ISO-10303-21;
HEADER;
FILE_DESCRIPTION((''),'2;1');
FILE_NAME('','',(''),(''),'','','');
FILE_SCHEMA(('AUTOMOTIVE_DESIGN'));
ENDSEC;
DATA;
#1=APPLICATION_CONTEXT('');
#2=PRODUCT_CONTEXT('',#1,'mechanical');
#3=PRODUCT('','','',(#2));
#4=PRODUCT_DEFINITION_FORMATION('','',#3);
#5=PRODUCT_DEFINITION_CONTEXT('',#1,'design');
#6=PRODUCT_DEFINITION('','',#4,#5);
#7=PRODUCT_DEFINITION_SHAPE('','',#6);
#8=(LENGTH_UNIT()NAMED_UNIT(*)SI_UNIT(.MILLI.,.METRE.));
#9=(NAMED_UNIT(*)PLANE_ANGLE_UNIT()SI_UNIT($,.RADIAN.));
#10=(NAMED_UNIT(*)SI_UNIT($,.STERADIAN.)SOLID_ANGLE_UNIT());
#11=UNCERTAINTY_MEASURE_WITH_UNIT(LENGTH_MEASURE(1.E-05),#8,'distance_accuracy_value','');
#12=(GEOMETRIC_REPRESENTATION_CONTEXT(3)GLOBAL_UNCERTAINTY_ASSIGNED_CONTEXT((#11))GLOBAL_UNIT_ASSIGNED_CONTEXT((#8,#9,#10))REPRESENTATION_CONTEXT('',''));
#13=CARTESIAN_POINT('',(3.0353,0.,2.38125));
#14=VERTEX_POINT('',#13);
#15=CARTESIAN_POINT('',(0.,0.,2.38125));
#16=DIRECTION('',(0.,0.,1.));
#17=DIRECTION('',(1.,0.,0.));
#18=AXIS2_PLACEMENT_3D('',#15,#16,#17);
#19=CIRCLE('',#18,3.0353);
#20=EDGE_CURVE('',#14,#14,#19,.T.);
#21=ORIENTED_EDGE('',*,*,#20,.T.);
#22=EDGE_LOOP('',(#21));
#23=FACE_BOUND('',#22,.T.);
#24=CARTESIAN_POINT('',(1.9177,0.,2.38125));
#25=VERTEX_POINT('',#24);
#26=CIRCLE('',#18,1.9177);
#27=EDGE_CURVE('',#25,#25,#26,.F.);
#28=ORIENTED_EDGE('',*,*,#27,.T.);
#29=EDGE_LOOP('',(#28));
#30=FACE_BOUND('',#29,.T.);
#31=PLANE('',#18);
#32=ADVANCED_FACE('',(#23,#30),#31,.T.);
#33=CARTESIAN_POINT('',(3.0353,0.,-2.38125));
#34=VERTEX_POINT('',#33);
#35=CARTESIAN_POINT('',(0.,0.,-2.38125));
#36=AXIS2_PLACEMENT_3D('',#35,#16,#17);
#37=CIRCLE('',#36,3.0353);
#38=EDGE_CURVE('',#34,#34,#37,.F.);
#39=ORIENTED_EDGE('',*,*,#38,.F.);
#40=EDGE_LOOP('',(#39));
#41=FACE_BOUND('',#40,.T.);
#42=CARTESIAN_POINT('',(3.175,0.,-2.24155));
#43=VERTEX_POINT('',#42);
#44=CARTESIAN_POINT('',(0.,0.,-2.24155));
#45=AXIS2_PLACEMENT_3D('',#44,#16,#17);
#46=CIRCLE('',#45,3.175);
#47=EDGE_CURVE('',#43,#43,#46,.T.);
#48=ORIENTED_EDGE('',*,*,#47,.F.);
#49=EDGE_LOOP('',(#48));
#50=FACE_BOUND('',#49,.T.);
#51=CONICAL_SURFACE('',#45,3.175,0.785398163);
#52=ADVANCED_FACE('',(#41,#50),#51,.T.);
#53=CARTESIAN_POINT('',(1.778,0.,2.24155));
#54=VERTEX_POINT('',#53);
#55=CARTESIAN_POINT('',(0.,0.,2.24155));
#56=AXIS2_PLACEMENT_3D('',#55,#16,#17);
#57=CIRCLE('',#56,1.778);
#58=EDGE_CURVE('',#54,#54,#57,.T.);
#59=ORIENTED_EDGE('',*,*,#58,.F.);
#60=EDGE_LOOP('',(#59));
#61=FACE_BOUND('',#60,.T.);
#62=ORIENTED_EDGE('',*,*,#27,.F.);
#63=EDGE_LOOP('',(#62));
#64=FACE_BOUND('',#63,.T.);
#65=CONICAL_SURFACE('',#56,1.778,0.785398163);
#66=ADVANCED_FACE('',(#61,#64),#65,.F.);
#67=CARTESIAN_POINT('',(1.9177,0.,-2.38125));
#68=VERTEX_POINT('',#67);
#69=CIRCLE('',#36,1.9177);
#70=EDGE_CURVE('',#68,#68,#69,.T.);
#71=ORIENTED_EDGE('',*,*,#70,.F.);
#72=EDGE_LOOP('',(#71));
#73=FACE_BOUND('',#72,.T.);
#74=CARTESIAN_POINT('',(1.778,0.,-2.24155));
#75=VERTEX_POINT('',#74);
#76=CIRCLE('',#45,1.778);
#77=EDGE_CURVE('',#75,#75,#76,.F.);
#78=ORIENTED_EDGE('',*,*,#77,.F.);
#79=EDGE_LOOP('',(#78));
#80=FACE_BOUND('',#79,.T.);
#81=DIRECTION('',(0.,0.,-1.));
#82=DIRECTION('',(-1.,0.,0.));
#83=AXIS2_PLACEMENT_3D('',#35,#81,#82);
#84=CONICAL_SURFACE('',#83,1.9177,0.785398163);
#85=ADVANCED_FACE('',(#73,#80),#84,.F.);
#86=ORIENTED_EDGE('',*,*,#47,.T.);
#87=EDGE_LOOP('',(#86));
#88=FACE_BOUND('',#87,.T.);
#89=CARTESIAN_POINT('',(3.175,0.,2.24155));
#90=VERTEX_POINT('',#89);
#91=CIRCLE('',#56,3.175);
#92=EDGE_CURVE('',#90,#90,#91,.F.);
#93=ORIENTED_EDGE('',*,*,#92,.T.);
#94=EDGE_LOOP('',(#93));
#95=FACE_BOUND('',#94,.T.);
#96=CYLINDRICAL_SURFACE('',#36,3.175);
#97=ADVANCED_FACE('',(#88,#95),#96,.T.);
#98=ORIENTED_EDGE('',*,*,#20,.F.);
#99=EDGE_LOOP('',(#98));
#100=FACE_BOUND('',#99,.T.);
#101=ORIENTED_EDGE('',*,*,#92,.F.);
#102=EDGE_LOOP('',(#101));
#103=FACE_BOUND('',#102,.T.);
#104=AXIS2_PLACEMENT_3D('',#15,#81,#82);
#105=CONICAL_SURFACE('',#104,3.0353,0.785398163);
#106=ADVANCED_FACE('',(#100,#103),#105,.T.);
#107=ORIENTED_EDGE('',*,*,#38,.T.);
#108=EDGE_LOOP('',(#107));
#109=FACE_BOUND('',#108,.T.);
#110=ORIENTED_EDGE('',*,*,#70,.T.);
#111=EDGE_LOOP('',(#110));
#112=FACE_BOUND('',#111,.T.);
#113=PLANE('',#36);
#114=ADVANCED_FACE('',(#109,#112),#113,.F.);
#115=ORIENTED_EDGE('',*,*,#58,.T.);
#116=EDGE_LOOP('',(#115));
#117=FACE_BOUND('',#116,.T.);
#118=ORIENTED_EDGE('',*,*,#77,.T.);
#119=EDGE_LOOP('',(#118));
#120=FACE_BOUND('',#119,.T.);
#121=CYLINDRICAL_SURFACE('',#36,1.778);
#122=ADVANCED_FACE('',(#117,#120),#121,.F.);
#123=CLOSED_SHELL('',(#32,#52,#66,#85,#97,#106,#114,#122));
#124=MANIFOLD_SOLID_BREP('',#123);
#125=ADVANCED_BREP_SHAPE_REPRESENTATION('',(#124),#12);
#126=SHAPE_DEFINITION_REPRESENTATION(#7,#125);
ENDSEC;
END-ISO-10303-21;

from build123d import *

# Parameters (mm, degrees)
SKETCH3_R                = 3.175
SKETCH3_R_2              = 1.778
BOSS_EXTRUDE1_DEPTH      = 2.38125
BOSS_EXTRUDE1_DEPTH_BACK = 2.38125
CHAMFER1_SIZE            = 0.1397


with BuildPart() as part:
    # Sketch3 → Boss-Extrude1 (new body, two sides)
    with BuildSketch(Plane.XY) as boss_extrude1_sk:
        Circle(SKETCH3_R)
        Circle(SKETCH3_R_2, mode=Mode.SUBTRACT)
    extrude(amount=BOSS_EXTRUDE1_DEPTH)
    extrude(boss_extrude1_sk.sketch, amount=-BOSS_EXTRUDE1_DEPTH_BACK)

    # Chamfer1
    chamfer1_edges = [part.edges().sort_by_distance(p)[0] for p in [
        (-3.175, 0, -2.38125),
        (-1.778, 0, -2.38125),
        (-3.175, 0, 2.38125),
        (-1.778, 0, 2.38125),
    ]]
    chamfer(chamfer1_edges, length=CHAMFER1_SIZE)


solid = part.part
